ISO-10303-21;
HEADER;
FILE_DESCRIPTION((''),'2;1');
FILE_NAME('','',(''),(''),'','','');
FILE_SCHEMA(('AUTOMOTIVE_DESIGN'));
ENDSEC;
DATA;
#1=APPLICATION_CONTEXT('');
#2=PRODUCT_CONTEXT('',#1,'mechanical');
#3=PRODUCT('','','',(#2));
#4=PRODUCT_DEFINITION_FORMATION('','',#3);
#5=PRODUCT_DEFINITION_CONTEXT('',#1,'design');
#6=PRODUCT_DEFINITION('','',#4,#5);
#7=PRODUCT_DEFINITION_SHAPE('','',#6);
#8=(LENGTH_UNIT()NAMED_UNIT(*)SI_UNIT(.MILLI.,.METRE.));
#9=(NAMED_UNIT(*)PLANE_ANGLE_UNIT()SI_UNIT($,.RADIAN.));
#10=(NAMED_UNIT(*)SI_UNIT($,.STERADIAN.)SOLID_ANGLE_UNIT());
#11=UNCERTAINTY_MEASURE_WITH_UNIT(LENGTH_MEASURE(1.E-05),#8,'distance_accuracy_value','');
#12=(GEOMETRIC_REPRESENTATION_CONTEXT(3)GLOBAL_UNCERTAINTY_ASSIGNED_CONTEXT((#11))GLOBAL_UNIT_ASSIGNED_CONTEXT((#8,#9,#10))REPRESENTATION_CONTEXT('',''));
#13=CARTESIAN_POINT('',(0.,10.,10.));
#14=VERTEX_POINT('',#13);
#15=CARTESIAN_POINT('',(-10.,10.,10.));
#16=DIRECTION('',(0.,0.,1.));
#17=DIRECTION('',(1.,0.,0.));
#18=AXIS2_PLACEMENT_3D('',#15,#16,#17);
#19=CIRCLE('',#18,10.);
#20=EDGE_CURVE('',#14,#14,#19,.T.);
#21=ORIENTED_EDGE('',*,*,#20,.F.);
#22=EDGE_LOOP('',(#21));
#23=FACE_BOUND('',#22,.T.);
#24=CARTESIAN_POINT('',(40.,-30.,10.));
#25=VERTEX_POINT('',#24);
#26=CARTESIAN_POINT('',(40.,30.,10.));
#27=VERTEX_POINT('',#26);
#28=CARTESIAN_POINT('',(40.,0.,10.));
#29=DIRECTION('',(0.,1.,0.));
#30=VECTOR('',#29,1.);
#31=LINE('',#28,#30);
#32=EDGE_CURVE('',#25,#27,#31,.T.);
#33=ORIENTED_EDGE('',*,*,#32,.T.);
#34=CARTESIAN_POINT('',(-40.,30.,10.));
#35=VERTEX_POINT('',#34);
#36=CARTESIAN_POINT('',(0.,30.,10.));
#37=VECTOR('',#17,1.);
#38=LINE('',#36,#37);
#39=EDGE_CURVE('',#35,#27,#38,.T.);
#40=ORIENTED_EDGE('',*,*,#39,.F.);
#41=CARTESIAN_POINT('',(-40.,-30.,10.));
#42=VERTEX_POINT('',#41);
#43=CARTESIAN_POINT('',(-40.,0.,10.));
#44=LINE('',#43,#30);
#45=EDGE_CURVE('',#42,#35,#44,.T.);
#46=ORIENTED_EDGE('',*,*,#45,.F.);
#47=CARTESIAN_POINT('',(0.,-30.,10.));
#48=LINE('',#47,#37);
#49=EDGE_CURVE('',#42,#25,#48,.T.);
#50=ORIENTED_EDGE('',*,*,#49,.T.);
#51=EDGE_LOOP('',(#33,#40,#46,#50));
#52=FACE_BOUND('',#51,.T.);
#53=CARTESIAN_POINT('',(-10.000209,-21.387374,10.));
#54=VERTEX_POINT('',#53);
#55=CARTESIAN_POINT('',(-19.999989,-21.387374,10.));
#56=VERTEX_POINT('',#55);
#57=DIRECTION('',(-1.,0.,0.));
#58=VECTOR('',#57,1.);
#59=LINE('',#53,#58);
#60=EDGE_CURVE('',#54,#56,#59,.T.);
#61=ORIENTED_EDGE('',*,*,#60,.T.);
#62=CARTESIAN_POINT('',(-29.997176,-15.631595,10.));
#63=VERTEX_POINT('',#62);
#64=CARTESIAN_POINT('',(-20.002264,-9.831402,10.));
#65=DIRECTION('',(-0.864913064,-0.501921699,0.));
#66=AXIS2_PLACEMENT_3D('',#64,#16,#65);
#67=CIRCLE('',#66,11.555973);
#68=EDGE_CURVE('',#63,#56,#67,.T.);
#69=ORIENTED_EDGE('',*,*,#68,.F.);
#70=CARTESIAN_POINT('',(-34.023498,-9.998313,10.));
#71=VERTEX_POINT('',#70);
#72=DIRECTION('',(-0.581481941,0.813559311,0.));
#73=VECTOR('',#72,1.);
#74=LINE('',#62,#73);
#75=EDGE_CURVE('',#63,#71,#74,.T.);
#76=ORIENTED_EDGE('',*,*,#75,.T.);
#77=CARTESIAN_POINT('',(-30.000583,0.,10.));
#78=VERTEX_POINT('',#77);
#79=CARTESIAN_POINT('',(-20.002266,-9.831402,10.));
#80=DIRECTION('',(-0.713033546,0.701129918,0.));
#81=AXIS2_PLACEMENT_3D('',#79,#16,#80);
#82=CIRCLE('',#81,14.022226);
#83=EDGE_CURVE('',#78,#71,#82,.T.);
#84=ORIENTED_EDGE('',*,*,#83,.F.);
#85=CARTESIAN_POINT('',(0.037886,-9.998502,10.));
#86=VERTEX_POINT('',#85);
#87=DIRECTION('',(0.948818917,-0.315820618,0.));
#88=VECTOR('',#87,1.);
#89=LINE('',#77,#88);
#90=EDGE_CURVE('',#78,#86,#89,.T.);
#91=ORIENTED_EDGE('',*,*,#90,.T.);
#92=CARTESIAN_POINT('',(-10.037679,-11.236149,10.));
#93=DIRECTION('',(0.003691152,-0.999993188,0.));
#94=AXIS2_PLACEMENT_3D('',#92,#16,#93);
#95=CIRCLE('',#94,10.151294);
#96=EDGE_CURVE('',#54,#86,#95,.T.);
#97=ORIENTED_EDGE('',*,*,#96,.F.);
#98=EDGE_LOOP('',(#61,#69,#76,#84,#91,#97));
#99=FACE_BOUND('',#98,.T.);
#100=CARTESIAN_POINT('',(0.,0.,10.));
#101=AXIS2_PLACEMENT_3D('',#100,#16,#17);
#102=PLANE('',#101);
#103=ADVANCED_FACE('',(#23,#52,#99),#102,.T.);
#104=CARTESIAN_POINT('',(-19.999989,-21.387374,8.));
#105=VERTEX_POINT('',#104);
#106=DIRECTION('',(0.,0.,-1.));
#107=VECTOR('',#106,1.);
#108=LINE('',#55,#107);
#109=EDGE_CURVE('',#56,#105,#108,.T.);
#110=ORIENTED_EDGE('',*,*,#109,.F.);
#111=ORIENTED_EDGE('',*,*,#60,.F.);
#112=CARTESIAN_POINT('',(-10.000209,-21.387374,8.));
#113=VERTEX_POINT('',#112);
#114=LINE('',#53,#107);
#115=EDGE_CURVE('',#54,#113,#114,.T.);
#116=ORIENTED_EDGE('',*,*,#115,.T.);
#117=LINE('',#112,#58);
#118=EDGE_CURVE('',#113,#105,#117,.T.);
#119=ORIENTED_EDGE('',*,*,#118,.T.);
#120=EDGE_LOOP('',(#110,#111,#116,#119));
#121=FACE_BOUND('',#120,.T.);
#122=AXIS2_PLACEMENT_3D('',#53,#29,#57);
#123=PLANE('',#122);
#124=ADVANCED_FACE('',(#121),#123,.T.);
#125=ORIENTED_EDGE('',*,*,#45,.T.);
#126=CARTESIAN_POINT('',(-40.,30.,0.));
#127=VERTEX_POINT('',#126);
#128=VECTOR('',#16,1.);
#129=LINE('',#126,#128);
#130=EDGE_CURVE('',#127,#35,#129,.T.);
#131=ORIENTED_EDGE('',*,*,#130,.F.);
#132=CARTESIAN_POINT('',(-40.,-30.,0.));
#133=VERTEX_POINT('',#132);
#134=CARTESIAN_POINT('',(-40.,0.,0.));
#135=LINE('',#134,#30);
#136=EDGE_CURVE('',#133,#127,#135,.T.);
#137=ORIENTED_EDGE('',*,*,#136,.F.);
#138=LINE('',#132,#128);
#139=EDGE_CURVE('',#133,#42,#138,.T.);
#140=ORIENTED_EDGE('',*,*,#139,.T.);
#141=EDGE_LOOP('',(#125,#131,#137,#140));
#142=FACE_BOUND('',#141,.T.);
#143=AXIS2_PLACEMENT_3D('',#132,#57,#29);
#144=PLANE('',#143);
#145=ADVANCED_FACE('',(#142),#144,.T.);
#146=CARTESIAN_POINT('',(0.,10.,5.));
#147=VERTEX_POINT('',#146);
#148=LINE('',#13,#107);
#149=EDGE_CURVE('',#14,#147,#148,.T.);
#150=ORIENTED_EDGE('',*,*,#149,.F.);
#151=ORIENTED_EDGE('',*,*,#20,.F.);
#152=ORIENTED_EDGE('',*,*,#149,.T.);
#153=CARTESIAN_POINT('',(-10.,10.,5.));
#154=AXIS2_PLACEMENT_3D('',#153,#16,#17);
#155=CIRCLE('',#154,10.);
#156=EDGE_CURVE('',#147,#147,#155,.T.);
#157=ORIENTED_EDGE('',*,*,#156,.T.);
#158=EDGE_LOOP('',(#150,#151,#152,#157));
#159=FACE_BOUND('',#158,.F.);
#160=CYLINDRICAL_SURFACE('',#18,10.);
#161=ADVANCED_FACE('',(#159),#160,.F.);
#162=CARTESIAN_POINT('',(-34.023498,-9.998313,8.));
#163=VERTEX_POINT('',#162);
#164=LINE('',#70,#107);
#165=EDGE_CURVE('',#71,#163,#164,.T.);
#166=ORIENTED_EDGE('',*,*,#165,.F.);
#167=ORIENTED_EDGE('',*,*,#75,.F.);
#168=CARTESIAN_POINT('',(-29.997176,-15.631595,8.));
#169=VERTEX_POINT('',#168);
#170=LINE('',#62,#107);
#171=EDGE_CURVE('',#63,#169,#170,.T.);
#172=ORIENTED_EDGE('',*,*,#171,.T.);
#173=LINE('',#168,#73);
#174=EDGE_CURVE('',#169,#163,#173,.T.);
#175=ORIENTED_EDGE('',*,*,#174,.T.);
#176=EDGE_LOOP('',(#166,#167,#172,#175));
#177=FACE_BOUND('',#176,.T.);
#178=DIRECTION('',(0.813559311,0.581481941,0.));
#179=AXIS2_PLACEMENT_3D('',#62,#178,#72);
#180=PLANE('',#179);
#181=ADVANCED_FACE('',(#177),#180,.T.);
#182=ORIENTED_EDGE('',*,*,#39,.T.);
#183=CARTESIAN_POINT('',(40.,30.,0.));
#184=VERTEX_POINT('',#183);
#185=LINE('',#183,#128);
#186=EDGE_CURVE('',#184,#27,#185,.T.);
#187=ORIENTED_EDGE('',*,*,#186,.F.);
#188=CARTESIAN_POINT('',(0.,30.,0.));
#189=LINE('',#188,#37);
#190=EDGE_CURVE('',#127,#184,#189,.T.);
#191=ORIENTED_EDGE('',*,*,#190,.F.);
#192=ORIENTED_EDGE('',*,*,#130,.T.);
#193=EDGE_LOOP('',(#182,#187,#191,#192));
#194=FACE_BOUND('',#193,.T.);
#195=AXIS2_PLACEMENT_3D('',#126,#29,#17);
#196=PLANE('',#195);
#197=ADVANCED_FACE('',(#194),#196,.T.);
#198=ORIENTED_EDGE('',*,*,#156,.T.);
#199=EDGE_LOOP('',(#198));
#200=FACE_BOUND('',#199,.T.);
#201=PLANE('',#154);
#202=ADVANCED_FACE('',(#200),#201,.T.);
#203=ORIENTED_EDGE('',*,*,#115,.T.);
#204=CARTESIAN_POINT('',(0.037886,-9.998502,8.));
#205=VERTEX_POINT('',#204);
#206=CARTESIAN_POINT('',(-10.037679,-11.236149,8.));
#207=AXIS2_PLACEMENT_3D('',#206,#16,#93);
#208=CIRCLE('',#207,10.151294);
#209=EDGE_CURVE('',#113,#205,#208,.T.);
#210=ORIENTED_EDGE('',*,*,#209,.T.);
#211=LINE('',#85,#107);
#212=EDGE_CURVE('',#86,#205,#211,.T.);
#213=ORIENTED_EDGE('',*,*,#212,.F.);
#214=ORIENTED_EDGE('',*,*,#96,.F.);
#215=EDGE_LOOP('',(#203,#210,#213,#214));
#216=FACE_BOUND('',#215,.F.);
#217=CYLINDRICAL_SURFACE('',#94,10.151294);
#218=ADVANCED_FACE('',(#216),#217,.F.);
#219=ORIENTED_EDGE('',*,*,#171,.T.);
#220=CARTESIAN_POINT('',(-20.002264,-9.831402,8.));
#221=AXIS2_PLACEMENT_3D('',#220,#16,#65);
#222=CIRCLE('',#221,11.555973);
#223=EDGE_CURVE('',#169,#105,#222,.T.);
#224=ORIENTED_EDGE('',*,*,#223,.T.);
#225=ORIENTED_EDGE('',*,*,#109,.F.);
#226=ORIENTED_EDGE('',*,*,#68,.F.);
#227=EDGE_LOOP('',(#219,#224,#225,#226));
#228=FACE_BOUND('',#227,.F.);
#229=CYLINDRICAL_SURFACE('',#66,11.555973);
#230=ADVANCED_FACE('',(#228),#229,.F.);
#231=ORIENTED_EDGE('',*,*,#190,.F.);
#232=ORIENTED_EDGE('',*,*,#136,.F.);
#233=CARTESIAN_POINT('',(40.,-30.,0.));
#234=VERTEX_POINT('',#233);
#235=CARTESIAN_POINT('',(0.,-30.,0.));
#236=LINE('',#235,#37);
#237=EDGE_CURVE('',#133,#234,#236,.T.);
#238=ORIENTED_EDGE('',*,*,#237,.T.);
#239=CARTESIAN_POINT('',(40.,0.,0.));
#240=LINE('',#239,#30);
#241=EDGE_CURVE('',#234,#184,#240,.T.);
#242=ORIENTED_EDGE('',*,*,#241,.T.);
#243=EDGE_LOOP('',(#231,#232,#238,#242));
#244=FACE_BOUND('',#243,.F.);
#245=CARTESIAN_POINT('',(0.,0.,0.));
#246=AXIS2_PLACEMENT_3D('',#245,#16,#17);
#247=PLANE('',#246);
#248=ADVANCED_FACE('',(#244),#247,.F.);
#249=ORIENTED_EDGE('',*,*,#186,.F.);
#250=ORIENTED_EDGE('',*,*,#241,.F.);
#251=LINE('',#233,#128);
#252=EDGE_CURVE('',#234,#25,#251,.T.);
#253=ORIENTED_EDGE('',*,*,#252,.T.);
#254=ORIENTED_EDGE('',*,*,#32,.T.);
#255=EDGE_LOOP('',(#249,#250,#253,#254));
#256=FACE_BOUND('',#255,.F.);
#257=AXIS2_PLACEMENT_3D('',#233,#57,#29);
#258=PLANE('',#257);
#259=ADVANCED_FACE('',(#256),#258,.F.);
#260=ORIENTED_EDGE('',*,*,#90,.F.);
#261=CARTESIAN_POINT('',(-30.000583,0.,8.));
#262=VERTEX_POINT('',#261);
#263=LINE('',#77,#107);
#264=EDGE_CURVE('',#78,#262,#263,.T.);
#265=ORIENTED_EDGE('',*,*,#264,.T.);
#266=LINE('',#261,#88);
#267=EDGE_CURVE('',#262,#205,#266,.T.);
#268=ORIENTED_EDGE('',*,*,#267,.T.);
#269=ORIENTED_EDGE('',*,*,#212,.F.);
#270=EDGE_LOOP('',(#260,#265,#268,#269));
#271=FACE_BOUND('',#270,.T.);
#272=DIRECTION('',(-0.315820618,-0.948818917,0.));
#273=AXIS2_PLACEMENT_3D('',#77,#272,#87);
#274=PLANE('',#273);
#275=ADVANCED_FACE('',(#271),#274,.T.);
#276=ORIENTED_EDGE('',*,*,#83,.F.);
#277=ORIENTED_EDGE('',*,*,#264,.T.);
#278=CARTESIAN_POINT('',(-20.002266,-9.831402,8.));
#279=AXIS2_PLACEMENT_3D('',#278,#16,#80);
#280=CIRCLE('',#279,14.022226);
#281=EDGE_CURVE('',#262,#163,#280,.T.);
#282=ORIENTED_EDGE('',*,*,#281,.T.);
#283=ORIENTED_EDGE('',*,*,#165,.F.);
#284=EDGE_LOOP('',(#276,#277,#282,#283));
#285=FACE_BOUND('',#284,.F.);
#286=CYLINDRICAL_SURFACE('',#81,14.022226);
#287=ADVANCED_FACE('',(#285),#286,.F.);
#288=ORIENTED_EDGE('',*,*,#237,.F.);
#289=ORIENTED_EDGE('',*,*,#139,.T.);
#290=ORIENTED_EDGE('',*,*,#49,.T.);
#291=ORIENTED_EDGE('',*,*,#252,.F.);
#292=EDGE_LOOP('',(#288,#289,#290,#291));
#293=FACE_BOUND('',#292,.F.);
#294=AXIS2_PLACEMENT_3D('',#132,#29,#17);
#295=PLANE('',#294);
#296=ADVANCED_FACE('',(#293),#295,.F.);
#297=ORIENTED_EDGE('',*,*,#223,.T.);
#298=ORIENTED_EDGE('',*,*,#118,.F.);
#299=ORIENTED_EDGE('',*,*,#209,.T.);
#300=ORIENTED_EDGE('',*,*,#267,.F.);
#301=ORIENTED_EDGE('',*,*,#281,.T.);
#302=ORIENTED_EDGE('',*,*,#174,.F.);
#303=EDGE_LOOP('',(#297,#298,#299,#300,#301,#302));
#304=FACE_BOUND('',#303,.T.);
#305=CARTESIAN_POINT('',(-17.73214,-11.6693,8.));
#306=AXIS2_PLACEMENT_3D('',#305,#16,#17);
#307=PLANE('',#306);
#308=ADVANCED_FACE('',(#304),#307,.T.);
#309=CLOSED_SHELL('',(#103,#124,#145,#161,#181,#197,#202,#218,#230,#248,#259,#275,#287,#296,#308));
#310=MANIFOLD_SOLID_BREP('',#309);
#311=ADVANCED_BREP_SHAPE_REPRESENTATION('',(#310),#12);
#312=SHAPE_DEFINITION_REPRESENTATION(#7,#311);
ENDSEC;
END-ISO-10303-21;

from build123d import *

# Parameters (mm, degrees)
SKETCH_W        = 80
SKETCH_H        = 60
PAD_DEPTH       = 10
SKETCH001_R     = 10
POCKET_DEPTH    = 5
POCKET001_DEPTH = 2


with BuildPart() as part:
    # Sketch → Pad (new body)
    with BuildSketch(Plane.XY):
        Rectangle(SKETCH_W, SKETCH_H)
    extrude(amount=PAD_DEPTH)

    # Sketch001 (on Face6 of Pad) → Pocket (cut)
    with BuildSketch(Plane.XY.offset(10)):
        with Locations((-10, 10)):
            Circle(SKETCH001_R)
    extrude(amount=-POCKET_DEPTH, mode=Mode.SUBTRACT)

    # Sketch002 (on Face5 of Pocket) → Pocket001 (cut)
    with BuildSketch(Plane.XY.offset(10)):
        with BuildLine():
            ThreePointArc((-30.000583, 0), (-33.010965, -4.59723), (-34.023498, -9.998313))
            Line((-29.997176, -15.631595), (-34.023498, -9.998313))
            ThreePointArc((-29.997176, -15.631595), (-25.76815, -19.846144), (-19.999989, -21.387374))
            Line((-10.000209, -21.387374), (-19.999989, -21.387374))
            ThreePointArc((-10.000209, -21.387374), (-2.422236, -17.948362), (0.037886, -9.998502))
            Line((-30.000583, 0), (0.037886, -9.998502))
        make_face()
    extrude(amount=-POCKET001_DEPTH, mode=Mode.SUBTRACT)


solid = part.part
